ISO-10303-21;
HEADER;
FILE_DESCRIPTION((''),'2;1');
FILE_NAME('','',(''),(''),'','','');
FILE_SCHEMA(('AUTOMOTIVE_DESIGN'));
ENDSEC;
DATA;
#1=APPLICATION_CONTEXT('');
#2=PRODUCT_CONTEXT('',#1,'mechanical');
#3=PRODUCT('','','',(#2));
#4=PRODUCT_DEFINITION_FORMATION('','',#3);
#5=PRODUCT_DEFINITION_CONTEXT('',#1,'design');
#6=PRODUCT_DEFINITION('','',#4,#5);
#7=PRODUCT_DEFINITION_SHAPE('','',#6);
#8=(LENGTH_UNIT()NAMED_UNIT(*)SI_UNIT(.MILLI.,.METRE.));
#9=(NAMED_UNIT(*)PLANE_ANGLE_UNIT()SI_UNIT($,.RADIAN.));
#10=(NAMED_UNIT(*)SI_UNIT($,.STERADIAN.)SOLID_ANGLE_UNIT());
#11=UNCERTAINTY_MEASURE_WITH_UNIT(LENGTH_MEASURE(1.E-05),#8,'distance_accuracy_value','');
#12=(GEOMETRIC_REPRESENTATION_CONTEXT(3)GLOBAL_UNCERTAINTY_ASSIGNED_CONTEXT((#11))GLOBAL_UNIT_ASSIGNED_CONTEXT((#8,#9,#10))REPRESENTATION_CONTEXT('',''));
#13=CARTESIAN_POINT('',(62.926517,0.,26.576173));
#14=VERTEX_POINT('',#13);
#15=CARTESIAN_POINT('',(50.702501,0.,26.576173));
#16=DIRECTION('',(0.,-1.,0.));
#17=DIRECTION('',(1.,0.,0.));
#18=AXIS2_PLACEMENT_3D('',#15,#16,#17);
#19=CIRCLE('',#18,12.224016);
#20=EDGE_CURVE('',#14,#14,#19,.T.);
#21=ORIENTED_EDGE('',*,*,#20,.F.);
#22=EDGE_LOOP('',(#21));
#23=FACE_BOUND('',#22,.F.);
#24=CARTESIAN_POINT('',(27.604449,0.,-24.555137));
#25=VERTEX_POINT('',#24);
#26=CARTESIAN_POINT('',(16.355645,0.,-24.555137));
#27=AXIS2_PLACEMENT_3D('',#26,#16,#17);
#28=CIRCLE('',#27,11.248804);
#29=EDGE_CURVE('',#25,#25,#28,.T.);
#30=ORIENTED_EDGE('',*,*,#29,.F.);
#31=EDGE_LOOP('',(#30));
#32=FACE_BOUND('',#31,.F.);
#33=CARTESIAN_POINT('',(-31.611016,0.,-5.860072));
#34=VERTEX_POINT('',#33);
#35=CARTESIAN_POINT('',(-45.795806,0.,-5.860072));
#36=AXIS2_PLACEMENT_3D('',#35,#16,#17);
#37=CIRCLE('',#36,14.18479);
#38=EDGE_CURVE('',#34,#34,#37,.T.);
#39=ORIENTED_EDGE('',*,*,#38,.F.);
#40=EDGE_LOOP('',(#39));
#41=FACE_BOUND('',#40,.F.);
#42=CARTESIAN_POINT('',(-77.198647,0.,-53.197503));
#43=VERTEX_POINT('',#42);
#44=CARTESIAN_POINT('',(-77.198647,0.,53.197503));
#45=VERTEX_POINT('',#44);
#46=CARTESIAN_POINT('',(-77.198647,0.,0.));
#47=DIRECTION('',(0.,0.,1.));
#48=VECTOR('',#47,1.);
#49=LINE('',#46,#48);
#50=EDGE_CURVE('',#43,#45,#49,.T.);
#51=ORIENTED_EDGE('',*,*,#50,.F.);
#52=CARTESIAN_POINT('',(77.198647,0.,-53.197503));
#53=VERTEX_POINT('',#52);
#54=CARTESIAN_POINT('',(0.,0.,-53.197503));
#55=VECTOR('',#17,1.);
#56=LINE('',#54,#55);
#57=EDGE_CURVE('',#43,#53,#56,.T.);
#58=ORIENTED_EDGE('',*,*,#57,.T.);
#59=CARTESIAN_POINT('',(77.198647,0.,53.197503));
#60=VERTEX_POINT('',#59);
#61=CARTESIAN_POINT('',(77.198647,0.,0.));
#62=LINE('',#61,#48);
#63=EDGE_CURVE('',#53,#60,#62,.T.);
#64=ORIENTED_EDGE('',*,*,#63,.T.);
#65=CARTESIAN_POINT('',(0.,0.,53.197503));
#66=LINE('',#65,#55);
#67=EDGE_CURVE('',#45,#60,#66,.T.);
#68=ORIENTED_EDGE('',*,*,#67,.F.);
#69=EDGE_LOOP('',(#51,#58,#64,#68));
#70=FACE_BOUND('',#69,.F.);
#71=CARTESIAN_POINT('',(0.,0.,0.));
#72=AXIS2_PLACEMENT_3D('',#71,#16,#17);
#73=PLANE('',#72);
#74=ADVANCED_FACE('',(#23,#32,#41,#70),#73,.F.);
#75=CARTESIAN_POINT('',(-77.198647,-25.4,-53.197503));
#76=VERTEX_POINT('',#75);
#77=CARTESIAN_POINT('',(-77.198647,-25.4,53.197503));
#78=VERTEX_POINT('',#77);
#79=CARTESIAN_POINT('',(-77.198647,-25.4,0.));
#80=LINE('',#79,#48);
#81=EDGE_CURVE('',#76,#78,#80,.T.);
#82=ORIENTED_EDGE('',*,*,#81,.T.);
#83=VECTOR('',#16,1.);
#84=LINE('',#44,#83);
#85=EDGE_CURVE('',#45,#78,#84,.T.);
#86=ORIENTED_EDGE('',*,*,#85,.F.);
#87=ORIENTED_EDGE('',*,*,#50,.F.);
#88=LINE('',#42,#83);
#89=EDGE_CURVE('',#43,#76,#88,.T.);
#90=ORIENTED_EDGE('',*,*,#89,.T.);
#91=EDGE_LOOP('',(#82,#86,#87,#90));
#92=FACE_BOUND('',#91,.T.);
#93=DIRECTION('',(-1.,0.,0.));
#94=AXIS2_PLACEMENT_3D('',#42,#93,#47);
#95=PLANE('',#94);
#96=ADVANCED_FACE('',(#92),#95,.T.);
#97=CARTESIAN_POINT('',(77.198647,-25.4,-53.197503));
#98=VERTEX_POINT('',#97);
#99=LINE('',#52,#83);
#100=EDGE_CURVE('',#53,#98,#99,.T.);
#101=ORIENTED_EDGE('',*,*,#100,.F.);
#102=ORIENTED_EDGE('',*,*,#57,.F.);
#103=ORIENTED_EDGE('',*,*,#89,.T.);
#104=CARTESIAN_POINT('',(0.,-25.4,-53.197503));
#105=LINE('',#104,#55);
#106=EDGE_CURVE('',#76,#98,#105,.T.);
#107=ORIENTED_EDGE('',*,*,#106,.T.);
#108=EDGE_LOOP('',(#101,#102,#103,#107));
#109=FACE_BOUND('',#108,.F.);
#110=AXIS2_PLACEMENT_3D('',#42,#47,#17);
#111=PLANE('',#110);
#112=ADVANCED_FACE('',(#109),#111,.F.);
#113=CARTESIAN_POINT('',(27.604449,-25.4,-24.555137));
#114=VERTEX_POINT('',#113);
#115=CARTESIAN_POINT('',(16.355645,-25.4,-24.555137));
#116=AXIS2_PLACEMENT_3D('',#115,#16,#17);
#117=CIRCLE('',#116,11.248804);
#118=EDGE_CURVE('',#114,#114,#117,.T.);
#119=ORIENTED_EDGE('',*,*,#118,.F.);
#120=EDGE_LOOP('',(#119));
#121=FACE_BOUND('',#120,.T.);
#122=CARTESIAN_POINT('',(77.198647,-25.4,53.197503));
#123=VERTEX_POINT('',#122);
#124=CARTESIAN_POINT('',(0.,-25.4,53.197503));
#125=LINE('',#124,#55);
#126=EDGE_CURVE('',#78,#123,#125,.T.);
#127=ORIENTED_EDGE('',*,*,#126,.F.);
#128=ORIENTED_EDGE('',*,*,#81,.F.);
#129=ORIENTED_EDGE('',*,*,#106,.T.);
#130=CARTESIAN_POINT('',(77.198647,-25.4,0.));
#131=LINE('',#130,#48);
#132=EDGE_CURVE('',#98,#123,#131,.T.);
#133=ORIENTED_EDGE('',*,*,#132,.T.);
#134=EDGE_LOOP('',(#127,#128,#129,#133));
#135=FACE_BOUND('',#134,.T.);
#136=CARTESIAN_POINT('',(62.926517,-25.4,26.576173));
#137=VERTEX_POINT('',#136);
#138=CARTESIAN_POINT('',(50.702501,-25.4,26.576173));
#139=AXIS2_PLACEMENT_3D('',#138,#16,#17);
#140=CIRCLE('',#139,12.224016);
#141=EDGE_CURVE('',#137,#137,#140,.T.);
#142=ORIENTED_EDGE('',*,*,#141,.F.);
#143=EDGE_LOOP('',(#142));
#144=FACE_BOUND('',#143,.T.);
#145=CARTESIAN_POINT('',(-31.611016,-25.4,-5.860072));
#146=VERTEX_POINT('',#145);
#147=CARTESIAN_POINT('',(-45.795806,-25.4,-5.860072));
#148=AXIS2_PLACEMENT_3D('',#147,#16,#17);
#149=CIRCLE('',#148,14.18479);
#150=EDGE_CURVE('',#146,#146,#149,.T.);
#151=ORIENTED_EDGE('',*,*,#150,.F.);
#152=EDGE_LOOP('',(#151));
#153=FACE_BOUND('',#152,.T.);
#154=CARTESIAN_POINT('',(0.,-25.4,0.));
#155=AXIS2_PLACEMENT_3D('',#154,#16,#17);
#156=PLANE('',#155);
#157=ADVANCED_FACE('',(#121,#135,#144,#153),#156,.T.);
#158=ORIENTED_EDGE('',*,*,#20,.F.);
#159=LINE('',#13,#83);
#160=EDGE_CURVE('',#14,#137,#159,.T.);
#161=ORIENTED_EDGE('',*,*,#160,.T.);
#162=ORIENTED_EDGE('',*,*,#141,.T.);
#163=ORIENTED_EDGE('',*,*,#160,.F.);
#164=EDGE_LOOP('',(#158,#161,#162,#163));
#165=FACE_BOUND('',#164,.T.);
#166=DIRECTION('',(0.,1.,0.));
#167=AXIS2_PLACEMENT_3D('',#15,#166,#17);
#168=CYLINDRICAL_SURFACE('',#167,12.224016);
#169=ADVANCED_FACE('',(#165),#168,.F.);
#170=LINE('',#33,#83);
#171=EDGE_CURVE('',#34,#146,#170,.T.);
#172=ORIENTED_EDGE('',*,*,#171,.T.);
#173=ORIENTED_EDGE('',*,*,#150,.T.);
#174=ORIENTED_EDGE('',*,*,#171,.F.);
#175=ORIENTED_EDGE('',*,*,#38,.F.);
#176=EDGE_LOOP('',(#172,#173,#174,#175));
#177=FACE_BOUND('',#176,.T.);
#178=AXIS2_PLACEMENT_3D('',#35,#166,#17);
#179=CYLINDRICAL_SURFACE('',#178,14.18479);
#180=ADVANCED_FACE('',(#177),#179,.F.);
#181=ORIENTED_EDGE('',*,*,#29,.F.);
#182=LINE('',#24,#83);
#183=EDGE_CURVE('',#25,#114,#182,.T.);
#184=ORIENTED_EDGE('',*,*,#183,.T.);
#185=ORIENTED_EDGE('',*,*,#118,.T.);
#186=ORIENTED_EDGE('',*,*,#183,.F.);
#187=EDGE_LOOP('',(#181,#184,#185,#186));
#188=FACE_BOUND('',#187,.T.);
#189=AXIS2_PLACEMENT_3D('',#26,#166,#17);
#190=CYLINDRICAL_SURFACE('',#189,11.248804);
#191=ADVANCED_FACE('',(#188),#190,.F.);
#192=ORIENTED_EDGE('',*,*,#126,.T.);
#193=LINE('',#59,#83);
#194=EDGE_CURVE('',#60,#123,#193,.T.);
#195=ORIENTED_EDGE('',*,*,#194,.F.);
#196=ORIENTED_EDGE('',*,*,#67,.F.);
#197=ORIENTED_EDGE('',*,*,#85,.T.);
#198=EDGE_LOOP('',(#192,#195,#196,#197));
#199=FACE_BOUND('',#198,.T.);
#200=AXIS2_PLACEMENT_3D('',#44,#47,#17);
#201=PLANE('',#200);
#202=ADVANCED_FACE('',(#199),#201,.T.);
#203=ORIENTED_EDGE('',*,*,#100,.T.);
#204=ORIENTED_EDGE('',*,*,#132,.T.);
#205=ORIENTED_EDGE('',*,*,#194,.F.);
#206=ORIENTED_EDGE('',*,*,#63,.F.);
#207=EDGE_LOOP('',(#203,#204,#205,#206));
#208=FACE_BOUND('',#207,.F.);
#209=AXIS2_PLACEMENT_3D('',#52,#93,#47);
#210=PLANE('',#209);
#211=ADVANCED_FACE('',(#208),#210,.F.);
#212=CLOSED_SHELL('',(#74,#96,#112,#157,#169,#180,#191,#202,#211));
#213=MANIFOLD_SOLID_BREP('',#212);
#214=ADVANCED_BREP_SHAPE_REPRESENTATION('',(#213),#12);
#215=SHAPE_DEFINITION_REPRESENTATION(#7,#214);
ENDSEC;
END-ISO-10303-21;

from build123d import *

# Parameters (mm, degrees)
F0_W     = 154.397294
F0_H     = 106.395006
F0_R     = 14.18479
F0_R_2   = 11.248804
F0_R_3   = 12.224016
F1_DEPTH = 25.4


with BuildPart() as f1:
    # F0 (on Front) → F1 (new body)
    with BuildSketch(Plane.XZ):
        Rectangle(F0_W, F0_H)
        with Locations((-45.795806, -5.860072)):
            Circle(F0_R, mode=Mode.SUBTRACT)
        with Locations((16.355645, -24.555137)):
            Circle(F0_R_2, mode=Mode.SUBTRACT)
        with Locations((50.702501, 26.576173)):
            Circle(F0_R_3, mode=Mode.SUBTRACT)
    extrude(amount=F1_DEPTH)


solid = f1.part
